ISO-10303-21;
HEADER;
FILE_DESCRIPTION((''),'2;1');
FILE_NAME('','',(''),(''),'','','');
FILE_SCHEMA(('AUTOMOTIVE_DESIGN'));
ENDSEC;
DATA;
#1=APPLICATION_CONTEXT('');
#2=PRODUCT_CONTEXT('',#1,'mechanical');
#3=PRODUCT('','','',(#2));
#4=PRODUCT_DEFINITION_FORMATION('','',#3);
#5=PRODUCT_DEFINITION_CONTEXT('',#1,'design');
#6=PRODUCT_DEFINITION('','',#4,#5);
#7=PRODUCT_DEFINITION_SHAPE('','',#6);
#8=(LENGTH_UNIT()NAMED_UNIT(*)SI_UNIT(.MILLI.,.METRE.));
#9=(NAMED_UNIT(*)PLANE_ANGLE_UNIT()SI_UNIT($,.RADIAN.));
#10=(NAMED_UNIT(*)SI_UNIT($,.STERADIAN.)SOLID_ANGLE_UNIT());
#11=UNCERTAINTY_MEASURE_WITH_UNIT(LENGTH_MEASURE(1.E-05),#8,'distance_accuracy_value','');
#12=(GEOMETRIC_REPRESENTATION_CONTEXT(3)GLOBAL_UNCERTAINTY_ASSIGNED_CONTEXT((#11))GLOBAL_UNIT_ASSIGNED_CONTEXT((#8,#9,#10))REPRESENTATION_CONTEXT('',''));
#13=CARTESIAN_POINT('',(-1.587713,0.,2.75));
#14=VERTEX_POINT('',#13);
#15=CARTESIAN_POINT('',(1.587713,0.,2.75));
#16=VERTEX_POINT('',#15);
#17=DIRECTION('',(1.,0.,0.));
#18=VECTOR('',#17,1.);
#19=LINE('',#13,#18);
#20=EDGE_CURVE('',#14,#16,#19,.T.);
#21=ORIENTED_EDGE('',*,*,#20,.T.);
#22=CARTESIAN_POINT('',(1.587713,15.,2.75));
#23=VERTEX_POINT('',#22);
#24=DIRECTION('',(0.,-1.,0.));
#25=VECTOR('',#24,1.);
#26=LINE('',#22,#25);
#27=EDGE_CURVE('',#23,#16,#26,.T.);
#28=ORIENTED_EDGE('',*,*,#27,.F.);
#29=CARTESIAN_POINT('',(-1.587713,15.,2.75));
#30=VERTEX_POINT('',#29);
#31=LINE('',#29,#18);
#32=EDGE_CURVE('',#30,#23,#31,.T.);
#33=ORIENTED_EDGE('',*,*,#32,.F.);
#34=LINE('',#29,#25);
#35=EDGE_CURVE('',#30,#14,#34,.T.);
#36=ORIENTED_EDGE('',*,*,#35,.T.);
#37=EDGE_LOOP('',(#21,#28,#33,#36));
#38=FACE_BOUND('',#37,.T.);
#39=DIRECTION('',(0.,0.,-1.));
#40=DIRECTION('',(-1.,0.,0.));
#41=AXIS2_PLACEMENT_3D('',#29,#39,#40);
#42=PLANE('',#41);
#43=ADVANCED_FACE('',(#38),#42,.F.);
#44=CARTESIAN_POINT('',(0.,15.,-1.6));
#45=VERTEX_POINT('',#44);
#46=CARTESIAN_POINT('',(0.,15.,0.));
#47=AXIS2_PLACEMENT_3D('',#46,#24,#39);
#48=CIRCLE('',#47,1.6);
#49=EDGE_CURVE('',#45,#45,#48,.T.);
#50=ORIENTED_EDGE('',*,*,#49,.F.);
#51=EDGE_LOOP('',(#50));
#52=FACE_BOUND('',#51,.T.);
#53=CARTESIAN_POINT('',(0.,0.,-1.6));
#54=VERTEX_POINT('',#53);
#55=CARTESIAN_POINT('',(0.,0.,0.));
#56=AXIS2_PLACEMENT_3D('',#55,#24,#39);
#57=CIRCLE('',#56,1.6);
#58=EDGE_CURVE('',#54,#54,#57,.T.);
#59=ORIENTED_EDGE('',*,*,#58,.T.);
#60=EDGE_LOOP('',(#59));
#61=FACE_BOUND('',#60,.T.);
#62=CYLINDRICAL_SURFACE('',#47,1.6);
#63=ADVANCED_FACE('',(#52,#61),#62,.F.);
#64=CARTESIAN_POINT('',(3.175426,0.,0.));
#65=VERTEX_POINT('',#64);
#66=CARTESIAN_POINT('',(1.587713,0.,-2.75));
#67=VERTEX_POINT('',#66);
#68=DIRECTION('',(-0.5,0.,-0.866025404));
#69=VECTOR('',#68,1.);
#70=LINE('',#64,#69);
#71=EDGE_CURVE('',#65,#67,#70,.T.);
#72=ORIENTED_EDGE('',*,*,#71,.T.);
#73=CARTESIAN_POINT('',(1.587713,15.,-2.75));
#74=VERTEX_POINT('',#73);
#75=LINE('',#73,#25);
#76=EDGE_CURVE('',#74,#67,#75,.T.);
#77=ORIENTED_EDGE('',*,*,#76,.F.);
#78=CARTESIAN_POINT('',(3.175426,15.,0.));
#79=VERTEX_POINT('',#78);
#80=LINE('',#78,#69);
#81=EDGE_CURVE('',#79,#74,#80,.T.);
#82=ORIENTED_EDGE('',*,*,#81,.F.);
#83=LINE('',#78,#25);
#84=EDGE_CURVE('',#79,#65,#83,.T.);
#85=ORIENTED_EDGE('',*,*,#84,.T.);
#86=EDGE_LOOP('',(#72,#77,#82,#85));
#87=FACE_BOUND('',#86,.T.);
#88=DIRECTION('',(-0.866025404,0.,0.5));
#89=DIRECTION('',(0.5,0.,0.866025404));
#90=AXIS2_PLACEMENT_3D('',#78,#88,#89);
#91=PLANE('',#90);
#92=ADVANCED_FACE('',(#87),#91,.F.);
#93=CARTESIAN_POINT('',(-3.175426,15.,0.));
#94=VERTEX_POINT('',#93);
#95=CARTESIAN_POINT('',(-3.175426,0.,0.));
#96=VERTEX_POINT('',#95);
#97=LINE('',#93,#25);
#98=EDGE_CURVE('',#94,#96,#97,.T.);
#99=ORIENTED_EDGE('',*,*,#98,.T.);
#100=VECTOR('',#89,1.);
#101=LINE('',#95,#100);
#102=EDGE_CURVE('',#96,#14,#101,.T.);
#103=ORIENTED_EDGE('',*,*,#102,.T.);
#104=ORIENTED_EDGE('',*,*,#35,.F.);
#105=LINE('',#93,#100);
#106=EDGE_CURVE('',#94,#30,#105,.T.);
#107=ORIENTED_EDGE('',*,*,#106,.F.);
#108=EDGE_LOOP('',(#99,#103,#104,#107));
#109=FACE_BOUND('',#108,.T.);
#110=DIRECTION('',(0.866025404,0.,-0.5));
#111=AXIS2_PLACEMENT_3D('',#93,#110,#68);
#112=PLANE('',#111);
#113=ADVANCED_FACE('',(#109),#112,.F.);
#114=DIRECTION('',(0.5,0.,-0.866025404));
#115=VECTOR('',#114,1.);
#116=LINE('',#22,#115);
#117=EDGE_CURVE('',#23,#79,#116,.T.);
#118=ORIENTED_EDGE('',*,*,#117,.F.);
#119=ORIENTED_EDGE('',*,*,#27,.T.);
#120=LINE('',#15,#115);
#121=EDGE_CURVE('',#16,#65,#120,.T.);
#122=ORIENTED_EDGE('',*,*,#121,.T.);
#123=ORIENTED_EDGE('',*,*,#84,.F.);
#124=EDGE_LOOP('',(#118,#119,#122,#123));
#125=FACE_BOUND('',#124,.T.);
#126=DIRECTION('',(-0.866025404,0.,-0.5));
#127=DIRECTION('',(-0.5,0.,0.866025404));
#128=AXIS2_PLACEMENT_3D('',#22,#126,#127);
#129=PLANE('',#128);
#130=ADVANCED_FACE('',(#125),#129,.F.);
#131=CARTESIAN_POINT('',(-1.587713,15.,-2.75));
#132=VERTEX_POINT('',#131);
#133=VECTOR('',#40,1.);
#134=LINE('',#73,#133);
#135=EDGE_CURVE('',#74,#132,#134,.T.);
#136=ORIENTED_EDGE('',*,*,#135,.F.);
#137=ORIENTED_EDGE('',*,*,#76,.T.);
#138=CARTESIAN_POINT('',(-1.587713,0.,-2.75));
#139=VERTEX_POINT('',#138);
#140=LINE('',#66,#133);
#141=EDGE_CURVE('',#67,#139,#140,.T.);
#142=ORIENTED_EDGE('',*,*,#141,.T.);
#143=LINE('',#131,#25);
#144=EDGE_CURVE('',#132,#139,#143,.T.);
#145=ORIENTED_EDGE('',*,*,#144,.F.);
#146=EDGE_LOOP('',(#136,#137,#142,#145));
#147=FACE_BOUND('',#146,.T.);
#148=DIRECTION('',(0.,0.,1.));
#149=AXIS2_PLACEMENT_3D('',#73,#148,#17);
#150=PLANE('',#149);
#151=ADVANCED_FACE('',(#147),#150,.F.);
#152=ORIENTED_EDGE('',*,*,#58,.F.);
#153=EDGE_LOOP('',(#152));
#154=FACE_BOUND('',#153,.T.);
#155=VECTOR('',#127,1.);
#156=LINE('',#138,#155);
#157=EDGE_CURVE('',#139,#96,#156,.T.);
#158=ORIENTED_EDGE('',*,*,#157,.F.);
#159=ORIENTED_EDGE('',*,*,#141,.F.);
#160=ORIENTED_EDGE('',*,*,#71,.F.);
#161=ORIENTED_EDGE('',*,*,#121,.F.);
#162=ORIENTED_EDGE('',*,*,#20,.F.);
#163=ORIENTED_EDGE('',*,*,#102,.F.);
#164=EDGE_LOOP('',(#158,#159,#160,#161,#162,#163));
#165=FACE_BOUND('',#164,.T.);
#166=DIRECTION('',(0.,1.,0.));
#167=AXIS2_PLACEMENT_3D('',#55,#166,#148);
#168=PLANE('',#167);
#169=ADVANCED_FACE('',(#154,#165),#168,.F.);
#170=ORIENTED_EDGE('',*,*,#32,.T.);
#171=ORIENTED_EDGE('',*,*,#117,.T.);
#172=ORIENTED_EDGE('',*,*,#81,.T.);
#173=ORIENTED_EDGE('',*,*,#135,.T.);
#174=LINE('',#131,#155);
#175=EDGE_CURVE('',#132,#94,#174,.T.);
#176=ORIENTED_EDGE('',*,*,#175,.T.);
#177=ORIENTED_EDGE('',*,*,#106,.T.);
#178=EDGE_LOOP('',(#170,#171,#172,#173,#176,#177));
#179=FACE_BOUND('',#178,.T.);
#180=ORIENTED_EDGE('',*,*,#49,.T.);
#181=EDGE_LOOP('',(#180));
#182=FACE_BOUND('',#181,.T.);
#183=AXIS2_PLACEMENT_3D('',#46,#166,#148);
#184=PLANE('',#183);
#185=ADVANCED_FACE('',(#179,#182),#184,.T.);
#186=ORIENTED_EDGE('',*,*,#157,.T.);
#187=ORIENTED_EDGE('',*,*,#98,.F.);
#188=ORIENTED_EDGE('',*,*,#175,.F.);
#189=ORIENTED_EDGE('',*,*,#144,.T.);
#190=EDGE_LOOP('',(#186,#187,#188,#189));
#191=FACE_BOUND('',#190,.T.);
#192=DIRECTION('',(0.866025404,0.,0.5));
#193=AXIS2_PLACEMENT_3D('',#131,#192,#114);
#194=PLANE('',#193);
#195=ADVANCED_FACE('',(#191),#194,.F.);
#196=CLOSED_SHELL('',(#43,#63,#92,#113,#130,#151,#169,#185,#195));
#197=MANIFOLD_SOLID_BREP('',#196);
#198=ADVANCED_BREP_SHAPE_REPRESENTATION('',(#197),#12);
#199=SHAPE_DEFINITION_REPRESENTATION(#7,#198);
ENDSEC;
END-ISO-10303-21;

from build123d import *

# Parameters (mm, degrees)
EXTRUDE_1_DEPTH     = 15
SKETCH_2_R          = 1.6
CUT_EXTRUDE_1_DEPTH = 15


with BuildPart() as part:
    # 草图1 → 凸台-拉伸1 (new body)
    with BuildSketch(Plane(origin=(0, 0, 0), x_dir=(1, 0, 0), z_dir=(0, 1, 0))):
        Polygon((3.175426481, 0), (1.58771324, 2.75), (-1.58771324, 2.75), (-3.175426481, 0), (-1.58771324, -2.75), (1.58771324, -2.75), align=None)
    extrude(amount=EXTRUDE_1_DEPTH)

    # 草图2 → 切除-拉伸1 (cut)
    with BuildSketch(Plane.XZ):
        with Locations(Location((0, 0, 0), (0, 0, 270))):
            Circle(SKETCH_2_R)
    extrude(amount=-CUT_EXTRUDE_1_DEPTH, mode=Mode.SUBTRACT)


solid = part.part
